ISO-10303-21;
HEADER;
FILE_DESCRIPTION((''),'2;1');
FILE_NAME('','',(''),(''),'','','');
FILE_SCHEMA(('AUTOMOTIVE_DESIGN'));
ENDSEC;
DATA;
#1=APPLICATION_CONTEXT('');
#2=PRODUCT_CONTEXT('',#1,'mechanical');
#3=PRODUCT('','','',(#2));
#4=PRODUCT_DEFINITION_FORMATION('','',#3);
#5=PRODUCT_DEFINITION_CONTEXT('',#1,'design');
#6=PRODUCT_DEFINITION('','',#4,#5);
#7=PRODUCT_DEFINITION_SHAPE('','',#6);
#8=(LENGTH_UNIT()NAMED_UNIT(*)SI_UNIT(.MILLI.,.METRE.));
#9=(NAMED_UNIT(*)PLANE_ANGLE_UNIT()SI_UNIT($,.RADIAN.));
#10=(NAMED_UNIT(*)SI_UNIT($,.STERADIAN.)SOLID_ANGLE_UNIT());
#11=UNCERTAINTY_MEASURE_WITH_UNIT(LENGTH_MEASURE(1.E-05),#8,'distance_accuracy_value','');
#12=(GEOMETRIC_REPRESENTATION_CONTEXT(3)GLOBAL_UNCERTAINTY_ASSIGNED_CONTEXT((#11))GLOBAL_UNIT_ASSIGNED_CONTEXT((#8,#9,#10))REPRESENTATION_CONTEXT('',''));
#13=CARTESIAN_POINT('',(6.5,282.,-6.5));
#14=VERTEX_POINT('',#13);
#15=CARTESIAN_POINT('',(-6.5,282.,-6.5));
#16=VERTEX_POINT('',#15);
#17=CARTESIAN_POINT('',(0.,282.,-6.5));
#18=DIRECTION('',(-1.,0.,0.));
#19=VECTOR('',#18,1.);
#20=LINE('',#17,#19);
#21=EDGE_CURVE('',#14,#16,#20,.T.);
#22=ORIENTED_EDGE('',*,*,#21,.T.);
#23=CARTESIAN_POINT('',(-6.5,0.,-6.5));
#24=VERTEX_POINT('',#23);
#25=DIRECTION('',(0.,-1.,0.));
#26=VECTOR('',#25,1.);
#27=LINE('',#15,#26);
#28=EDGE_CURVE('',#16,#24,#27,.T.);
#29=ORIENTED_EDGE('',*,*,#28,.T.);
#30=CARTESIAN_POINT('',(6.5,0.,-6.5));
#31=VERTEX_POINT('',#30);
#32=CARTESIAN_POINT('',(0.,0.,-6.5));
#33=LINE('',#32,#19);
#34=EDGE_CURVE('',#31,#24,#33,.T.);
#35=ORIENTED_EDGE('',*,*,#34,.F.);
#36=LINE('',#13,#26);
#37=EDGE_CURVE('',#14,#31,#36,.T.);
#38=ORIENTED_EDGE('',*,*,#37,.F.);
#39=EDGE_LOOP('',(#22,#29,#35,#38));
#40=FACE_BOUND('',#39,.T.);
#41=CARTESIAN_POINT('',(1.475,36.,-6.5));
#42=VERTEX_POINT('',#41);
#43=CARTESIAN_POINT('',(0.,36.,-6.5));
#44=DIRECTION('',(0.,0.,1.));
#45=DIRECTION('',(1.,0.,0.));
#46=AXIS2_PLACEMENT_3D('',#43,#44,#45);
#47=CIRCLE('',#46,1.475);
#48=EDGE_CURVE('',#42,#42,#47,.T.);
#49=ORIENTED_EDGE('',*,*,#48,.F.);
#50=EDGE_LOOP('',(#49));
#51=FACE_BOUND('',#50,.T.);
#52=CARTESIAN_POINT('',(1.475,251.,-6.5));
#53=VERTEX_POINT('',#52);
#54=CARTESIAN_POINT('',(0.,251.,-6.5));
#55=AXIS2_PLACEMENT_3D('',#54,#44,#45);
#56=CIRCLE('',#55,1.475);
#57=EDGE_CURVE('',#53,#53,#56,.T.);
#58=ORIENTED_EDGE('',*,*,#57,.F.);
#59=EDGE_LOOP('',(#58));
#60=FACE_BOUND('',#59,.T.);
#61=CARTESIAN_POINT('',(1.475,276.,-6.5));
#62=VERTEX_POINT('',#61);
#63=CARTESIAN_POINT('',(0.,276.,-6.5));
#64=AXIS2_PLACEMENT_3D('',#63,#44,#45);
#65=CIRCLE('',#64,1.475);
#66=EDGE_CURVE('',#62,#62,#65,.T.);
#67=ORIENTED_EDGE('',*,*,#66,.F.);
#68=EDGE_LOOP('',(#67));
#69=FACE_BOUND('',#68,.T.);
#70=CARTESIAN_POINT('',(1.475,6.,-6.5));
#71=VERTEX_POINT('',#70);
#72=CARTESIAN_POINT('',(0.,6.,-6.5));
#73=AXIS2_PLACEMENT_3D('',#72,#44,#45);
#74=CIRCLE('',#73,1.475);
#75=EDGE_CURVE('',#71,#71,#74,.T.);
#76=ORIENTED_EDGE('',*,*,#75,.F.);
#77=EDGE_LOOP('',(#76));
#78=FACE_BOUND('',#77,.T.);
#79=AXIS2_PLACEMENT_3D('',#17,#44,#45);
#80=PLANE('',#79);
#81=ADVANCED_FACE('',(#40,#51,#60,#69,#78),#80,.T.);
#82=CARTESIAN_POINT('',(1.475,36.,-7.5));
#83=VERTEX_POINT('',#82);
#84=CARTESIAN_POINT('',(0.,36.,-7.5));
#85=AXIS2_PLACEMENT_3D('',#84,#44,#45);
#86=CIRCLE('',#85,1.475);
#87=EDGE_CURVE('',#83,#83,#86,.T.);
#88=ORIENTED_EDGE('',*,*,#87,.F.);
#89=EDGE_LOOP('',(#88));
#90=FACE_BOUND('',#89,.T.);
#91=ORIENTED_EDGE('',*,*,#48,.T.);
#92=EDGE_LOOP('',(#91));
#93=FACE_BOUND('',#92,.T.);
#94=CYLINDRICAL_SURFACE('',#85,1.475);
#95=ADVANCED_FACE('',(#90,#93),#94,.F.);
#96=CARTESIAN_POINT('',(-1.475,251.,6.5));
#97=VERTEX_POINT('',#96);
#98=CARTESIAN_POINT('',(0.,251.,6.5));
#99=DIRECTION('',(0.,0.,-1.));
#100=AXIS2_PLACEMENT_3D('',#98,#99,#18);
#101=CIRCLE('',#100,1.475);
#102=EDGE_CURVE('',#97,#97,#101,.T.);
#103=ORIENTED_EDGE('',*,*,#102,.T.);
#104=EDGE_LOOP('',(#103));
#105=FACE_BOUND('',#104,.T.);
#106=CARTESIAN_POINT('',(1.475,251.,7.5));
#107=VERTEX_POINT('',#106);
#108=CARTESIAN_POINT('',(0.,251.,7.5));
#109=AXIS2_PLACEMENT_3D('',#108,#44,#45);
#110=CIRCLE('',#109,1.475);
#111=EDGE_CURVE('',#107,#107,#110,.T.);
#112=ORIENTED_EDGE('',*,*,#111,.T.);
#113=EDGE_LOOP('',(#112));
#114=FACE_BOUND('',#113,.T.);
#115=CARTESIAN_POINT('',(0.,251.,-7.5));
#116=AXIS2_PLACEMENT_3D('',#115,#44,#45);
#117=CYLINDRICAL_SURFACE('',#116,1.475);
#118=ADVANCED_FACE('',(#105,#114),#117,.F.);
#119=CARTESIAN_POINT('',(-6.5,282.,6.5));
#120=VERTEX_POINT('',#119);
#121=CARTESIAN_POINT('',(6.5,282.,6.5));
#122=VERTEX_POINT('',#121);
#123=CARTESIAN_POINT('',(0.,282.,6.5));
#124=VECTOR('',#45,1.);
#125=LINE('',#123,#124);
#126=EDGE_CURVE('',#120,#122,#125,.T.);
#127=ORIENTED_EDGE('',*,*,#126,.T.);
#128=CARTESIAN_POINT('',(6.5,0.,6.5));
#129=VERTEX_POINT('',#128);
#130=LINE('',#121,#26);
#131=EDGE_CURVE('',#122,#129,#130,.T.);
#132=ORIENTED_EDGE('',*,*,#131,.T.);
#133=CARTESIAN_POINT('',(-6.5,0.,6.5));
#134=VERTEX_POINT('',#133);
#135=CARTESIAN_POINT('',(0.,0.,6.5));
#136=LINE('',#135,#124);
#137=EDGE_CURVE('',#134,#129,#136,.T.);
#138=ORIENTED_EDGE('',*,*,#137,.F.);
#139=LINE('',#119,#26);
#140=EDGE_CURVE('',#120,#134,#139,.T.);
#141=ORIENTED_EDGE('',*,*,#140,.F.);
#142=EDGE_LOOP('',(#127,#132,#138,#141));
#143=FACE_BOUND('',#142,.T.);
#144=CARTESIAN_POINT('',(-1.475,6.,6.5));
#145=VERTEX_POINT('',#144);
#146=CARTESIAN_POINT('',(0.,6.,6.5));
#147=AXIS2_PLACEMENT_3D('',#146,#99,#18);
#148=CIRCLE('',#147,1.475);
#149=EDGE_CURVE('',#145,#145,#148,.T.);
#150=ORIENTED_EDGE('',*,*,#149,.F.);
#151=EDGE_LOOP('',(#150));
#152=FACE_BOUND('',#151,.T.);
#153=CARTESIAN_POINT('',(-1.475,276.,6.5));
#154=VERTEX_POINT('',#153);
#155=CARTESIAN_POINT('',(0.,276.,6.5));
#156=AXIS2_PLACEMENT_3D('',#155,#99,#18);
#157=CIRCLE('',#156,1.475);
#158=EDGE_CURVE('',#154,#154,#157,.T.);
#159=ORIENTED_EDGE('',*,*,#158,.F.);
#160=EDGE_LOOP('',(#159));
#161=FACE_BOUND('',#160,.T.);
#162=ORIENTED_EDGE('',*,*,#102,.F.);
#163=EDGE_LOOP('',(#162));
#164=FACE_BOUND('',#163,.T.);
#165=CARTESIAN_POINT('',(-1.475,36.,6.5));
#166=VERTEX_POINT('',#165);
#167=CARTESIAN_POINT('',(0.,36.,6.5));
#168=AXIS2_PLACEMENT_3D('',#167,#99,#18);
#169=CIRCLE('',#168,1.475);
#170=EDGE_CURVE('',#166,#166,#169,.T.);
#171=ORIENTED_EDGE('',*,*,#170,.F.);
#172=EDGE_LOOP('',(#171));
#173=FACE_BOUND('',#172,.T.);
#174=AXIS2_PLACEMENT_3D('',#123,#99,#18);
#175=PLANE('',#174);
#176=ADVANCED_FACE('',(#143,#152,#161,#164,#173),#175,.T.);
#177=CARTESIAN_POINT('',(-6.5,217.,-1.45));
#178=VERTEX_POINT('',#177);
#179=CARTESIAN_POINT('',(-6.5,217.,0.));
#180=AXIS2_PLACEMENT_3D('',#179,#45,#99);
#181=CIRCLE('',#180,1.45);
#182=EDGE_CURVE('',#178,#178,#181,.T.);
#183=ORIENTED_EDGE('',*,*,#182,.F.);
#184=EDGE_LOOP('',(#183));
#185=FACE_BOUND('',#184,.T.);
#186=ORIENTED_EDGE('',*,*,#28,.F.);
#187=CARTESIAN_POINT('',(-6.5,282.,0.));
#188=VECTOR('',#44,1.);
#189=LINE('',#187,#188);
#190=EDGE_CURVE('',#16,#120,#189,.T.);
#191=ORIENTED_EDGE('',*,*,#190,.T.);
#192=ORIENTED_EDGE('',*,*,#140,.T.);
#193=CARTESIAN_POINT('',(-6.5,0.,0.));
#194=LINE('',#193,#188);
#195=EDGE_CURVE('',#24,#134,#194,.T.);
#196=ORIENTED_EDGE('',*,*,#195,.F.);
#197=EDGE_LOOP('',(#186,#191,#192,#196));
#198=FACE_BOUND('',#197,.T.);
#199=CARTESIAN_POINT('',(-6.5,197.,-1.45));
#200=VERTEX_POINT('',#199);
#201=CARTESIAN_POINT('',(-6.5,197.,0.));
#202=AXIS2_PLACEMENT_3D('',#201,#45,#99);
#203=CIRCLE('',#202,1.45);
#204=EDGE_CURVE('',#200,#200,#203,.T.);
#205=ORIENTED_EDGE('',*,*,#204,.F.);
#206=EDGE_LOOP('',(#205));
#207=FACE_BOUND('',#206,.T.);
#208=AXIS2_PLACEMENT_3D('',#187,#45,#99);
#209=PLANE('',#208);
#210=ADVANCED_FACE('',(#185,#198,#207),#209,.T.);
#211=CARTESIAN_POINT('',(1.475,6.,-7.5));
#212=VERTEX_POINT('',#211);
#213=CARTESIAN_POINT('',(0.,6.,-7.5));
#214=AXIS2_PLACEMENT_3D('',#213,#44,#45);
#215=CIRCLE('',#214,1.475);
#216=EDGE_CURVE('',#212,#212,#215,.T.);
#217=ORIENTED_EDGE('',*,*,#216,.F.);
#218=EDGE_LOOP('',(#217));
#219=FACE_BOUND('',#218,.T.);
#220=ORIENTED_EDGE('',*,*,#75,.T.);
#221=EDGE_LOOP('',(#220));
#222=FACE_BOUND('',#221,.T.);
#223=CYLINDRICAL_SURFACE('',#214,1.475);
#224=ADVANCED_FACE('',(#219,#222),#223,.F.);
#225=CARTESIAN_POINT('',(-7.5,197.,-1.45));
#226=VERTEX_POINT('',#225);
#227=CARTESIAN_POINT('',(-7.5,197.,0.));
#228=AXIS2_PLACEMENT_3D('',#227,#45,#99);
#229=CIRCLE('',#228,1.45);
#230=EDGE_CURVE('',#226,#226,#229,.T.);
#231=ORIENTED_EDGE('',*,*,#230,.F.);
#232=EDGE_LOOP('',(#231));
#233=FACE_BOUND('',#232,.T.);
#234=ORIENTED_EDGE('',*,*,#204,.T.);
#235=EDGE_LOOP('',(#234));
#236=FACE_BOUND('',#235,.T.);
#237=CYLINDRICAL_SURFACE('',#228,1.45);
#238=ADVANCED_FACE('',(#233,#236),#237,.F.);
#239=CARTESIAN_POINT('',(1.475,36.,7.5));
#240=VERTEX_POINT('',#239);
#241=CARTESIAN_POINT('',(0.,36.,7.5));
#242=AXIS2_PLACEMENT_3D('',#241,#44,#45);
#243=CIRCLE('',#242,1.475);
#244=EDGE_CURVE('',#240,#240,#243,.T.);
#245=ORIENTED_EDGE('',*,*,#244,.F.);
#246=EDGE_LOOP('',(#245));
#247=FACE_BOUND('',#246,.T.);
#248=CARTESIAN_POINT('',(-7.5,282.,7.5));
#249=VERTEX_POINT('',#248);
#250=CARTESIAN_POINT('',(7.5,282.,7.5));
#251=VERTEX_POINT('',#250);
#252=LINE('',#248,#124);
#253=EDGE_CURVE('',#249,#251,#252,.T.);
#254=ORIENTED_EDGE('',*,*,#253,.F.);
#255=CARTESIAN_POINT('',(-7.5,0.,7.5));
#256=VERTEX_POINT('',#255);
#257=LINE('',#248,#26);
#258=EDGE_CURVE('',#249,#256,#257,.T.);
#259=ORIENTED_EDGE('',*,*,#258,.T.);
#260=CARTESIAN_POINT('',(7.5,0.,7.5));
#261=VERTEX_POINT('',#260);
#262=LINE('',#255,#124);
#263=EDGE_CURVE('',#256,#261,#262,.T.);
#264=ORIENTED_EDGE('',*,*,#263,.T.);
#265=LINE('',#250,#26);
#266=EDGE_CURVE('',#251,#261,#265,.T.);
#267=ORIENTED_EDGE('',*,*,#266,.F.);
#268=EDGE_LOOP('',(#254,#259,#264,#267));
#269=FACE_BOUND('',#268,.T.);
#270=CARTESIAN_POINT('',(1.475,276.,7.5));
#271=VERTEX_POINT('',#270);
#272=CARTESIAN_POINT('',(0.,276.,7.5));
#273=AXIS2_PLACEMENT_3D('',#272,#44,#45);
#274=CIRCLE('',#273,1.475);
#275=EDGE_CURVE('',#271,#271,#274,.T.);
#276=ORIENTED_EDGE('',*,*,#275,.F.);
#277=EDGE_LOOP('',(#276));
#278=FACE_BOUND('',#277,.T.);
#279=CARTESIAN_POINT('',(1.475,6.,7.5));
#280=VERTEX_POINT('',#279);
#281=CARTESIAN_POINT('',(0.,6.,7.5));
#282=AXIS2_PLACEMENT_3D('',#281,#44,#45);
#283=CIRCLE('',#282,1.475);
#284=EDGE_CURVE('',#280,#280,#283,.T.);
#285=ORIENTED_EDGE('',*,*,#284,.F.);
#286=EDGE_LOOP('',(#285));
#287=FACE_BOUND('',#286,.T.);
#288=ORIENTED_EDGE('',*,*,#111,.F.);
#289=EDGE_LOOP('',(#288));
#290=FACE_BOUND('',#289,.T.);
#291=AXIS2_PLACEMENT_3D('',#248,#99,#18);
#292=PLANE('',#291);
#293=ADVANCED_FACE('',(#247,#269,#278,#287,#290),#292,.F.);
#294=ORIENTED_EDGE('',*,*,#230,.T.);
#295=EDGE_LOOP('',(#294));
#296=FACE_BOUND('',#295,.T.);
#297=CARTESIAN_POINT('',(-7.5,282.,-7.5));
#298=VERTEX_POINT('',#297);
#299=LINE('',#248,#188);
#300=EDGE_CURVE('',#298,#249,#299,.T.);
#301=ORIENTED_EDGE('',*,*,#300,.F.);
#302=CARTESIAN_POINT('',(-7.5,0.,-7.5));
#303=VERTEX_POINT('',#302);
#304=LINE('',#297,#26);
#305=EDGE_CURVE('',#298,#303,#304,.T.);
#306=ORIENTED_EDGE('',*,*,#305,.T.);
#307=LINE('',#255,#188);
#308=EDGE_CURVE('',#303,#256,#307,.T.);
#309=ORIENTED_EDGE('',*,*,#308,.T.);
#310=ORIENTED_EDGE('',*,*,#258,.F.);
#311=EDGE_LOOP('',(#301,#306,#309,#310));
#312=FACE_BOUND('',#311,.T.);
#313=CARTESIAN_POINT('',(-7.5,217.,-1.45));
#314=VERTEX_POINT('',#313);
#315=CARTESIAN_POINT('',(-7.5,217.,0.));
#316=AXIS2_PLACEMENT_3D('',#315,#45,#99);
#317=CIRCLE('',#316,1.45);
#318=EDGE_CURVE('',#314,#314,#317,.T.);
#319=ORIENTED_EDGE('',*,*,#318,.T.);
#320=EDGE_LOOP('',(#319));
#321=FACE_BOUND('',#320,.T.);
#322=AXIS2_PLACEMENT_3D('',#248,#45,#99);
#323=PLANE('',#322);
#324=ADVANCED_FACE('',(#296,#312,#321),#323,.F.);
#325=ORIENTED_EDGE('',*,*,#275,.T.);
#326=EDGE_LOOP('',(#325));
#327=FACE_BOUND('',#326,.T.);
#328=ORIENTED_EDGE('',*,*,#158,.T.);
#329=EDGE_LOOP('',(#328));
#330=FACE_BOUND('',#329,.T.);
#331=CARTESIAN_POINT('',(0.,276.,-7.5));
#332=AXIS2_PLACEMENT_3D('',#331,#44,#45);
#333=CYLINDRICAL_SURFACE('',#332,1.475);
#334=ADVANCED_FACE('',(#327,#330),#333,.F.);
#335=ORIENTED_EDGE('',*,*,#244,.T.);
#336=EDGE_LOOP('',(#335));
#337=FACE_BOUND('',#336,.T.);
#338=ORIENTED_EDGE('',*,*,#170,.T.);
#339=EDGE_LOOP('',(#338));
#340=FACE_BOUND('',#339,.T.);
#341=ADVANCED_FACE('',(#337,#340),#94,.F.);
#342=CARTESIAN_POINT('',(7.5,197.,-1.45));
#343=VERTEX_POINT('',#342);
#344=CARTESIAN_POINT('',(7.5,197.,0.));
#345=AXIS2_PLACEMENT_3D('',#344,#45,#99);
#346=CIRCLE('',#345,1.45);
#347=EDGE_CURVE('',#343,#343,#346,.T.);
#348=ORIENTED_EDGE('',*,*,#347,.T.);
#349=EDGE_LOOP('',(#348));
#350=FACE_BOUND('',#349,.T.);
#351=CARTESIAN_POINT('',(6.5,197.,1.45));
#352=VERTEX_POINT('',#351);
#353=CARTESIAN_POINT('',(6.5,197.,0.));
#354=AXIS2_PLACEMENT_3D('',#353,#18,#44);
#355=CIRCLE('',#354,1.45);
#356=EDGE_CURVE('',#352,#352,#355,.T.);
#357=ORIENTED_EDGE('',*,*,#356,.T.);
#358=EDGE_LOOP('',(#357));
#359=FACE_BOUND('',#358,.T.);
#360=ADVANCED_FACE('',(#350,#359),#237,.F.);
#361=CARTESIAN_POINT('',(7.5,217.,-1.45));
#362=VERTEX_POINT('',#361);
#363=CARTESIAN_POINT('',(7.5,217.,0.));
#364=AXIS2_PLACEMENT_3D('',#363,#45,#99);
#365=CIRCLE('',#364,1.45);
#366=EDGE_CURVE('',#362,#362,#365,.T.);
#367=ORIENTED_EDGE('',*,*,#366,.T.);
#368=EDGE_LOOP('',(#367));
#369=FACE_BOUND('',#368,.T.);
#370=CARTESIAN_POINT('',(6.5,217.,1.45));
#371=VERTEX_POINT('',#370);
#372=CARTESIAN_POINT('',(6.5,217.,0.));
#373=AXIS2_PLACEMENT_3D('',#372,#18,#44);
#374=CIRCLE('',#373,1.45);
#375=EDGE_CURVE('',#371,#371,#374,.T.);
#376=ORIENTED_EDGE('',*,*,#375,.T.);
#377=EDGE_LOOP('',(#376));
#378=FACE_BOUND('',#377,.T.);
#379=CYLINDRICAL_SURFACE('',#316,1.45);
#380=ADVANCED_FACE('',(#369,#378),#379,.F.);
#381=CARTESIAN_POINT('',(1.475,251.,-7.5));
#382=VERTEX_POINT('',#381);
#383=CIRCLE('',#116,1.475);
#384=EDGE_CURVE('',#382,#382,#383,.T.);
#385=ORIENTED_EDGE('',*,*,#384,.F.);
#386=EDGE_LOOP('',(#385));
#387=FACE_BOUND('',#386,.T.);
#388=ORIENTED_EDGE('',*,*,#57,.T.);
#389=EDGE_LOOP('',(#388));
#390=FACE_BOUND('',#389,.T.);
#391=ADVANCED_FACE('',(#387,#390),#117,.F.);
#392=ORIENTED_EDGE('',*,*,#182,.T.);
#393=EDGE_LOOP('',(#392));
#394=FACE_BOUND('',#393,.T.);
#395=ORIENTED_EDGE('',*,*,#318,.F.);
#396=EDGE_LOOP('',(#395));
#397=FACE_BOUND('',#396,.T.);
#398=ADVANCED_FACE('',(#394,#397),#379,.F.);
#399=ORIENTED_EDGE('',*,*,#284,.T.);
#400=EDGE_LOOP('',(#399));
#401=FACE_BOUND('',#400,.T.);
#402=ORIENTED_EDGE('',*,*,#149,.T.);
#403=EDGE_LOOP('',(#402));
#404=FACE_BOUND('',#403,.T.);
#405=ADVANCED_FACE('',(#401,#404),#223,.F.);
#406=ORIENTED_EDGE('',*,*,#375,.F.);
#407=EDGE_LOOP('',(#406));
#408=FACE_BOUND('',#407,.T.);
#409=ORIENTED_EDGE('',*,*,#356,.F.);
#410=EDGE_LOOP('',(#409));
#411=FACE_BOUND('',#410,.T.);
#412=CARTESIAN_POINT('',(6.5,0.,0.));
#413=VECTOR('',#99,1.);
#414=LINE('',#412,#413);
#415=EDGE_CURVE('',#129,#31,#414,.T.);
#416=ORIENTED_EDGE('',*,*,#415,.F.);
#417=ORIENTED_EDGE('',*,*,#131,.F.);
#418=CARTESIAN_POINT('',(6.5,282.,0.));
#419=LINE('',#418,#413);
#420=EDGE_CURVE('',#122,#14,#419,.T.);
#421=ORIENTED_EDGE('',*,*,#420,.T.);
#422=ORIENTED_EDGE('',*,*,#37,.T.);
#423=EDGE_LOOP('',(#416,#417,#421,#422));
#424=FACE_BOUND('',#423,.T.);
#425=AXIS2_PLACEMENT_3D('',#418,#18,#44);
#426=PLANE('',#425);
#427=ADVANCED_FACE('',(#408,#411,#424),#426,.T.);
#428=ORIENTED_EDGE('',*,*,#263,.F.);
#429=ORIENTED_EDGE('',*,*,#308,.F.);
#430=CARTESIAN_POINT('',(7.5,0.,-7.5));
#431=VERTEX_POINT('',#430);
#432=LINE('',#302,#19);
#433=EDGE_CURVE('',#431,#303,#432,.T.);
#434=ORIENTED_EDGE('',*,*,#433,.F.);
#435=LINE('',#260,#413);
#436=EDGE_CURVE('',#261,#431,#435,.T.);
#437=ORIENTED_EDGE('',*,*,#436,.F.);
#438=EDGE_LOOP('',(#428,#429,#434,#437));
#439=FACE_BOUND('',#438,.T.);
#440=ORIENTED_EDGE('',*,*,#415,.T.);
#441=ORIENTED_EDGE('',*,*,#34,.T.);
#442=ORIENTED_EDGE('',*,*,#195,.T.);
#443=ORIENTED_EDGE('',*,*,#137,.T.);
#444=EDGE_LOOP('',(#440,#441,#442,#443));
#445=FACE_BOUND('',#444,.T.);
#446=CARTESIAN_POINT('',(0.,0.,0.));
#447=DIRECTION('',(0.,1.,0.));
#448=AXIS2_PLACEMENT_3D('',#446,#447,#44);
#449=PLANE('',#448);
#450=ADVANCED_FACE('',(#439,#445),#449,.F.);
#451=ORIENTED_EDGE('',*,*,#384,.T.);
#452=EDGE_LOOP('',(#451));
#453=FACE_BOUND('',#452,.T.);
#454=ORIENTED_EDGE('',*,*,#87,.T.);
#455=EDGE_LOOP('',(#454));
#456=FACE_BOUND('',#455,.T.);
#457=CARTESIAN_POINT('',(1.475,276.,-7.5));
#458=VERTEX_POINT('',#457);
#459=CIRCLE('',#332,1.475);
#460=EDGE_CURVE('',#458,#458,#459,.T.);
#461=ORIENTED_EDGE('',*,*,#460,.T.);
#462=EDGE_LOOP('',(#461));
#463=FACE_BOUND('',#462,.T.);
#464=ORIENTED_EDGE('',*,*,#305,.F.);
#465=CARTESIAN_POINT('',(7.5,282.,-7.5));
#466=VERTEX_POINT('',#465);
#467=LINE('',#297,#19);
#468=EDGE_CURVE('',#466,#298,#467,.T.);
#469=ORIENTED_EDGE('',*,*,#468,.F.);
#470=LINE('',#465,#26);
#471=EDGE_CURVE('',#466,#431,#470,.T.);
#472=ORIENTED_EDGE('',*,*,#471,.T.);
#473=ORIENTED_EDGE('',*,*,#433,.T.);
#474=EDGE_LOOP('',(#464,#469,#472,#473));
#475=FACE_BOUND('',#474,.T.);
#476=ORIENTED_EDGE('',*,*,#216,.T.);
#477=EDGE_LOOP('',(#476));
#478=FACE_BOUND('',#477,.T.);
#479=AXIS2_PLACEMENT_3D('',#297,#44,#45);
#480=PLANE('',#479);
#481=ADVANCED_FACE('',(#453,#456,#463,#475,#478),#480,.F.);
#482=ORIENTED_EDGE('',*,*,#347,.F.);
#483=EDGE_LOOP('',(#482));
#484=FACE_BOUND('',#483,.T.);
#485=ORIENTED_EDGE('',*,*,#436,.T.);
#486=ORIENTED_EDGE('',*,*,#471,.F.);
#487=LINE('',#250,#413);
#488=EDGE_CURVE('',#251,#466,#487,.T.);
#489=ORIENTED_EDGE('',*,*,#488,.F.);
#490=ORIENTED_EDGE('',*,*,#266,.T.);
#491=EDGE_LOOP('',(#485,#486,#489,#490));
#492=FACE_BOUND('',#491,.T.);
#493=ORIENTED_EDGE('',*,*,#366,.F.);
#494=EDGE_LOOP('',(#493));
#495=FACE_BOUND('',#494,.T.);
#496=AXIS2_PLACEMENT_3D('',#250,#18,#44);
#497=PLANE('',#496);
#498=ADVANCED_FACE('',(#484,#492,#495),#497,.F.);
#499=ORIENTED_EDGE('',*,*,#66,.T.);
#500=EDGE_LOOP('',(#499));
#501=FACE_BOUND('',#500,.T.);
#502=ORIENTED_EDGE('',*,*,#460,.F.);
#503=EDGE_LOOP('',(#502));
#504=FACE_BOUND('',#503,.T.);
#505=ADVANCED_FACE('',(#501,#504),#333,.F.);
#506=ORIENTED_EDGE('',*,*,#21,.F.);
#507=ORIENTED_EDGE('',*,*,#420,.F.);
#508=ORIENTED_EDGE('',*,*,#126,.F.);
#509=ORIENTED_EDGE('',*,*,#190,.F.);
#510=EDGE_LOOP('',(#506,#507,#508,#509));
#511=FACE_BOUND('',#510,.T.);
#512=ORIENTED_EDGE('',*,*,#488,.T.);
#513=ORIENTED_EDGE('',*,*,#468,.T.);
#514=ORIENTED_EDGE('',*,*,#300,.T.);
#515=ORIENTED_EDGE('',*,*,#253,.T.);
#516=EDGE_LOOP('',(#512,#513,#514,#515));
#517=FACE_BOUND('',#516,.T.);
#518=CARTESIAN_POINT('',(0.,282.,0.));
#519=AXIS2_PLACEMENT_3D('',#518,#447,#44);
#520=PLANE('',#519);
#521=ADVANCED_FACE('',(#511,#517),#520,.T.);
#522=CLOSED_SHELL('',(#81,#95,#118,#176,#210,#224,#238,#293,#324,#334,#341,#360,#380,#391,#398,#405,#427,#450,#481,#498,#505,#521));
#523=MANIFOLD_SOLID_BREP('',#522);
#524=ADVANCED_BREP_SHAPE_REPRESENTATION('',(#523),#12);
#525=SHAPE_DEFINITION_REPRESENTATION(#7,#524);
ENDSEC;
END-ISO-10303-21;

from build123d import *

# Parameters (mm, degrees)
SKETCH_1_W          = 15
SKETCH_1_H          = 15
SKETCH_1_W_2        = 13
SKETCH_1_H_2        = 13
EXTRUDE_1_DEPTH     = 282
SKETCH_2_R          = 1.475
CUT_EXTRUDE_1_DEPTH = 283.498230083
SKETCH_3_R          = 1.45
CUT_EXTRUDE_2_DEPTH = 283.498230083


with BuildPart() as part:
    # 草图1 → 拉伸-薄壁1 (new body)
    with BuildSketch(Plane(origin=(0, 0, 0), x_dir=(1, 0, 0), z_dir=(0, 1, 0))):
        Rectangle(SKETCH_1_W, SKETCH_1_H)
        Rectangle(SKETCH_1_W_2, SKETCH_1_H_2, mode=Mode.SUBTRACT)
    extrude(amount=EXTRUDE_1_DEPTH)

    # 草图2 → 切除-拉伸1 (cut, through all)
    with BuildSketch(Plane.XY.offset(7.5)):
        with Locations((0, 36)):
            Circle(SKETCH_2_R)
        with Locations((0, 6)):
            Circle(SKETCH_2_R)
        with Locations((0, 276)):
            Circle(SKETCH_2_R)
        with Locations((0, 251)):
            Circle(SKETCH_2_R)
    extrude(amount=-CUT_EXTRUDE_1_DEPTH, mode=Mode.SUBTRACT)

    # 草图3 → 切除-拉伸2 (cut, through all)
    with BuildSketch(Plane(origin=(7.5, 0, 0), x_dir=(0, 0, -1), z_dir=(1, 0, 0))):
        with Locations((0, 217)):
            Circle(SKETCH_3_R)
        with Locations((0, 197)):
            Circle(SKETCH_3_R)
    extrude(amount=-CUT_EXTRUDE_2_DEPTH, mode=Mode.SUBTRACT)


solid = part.part
